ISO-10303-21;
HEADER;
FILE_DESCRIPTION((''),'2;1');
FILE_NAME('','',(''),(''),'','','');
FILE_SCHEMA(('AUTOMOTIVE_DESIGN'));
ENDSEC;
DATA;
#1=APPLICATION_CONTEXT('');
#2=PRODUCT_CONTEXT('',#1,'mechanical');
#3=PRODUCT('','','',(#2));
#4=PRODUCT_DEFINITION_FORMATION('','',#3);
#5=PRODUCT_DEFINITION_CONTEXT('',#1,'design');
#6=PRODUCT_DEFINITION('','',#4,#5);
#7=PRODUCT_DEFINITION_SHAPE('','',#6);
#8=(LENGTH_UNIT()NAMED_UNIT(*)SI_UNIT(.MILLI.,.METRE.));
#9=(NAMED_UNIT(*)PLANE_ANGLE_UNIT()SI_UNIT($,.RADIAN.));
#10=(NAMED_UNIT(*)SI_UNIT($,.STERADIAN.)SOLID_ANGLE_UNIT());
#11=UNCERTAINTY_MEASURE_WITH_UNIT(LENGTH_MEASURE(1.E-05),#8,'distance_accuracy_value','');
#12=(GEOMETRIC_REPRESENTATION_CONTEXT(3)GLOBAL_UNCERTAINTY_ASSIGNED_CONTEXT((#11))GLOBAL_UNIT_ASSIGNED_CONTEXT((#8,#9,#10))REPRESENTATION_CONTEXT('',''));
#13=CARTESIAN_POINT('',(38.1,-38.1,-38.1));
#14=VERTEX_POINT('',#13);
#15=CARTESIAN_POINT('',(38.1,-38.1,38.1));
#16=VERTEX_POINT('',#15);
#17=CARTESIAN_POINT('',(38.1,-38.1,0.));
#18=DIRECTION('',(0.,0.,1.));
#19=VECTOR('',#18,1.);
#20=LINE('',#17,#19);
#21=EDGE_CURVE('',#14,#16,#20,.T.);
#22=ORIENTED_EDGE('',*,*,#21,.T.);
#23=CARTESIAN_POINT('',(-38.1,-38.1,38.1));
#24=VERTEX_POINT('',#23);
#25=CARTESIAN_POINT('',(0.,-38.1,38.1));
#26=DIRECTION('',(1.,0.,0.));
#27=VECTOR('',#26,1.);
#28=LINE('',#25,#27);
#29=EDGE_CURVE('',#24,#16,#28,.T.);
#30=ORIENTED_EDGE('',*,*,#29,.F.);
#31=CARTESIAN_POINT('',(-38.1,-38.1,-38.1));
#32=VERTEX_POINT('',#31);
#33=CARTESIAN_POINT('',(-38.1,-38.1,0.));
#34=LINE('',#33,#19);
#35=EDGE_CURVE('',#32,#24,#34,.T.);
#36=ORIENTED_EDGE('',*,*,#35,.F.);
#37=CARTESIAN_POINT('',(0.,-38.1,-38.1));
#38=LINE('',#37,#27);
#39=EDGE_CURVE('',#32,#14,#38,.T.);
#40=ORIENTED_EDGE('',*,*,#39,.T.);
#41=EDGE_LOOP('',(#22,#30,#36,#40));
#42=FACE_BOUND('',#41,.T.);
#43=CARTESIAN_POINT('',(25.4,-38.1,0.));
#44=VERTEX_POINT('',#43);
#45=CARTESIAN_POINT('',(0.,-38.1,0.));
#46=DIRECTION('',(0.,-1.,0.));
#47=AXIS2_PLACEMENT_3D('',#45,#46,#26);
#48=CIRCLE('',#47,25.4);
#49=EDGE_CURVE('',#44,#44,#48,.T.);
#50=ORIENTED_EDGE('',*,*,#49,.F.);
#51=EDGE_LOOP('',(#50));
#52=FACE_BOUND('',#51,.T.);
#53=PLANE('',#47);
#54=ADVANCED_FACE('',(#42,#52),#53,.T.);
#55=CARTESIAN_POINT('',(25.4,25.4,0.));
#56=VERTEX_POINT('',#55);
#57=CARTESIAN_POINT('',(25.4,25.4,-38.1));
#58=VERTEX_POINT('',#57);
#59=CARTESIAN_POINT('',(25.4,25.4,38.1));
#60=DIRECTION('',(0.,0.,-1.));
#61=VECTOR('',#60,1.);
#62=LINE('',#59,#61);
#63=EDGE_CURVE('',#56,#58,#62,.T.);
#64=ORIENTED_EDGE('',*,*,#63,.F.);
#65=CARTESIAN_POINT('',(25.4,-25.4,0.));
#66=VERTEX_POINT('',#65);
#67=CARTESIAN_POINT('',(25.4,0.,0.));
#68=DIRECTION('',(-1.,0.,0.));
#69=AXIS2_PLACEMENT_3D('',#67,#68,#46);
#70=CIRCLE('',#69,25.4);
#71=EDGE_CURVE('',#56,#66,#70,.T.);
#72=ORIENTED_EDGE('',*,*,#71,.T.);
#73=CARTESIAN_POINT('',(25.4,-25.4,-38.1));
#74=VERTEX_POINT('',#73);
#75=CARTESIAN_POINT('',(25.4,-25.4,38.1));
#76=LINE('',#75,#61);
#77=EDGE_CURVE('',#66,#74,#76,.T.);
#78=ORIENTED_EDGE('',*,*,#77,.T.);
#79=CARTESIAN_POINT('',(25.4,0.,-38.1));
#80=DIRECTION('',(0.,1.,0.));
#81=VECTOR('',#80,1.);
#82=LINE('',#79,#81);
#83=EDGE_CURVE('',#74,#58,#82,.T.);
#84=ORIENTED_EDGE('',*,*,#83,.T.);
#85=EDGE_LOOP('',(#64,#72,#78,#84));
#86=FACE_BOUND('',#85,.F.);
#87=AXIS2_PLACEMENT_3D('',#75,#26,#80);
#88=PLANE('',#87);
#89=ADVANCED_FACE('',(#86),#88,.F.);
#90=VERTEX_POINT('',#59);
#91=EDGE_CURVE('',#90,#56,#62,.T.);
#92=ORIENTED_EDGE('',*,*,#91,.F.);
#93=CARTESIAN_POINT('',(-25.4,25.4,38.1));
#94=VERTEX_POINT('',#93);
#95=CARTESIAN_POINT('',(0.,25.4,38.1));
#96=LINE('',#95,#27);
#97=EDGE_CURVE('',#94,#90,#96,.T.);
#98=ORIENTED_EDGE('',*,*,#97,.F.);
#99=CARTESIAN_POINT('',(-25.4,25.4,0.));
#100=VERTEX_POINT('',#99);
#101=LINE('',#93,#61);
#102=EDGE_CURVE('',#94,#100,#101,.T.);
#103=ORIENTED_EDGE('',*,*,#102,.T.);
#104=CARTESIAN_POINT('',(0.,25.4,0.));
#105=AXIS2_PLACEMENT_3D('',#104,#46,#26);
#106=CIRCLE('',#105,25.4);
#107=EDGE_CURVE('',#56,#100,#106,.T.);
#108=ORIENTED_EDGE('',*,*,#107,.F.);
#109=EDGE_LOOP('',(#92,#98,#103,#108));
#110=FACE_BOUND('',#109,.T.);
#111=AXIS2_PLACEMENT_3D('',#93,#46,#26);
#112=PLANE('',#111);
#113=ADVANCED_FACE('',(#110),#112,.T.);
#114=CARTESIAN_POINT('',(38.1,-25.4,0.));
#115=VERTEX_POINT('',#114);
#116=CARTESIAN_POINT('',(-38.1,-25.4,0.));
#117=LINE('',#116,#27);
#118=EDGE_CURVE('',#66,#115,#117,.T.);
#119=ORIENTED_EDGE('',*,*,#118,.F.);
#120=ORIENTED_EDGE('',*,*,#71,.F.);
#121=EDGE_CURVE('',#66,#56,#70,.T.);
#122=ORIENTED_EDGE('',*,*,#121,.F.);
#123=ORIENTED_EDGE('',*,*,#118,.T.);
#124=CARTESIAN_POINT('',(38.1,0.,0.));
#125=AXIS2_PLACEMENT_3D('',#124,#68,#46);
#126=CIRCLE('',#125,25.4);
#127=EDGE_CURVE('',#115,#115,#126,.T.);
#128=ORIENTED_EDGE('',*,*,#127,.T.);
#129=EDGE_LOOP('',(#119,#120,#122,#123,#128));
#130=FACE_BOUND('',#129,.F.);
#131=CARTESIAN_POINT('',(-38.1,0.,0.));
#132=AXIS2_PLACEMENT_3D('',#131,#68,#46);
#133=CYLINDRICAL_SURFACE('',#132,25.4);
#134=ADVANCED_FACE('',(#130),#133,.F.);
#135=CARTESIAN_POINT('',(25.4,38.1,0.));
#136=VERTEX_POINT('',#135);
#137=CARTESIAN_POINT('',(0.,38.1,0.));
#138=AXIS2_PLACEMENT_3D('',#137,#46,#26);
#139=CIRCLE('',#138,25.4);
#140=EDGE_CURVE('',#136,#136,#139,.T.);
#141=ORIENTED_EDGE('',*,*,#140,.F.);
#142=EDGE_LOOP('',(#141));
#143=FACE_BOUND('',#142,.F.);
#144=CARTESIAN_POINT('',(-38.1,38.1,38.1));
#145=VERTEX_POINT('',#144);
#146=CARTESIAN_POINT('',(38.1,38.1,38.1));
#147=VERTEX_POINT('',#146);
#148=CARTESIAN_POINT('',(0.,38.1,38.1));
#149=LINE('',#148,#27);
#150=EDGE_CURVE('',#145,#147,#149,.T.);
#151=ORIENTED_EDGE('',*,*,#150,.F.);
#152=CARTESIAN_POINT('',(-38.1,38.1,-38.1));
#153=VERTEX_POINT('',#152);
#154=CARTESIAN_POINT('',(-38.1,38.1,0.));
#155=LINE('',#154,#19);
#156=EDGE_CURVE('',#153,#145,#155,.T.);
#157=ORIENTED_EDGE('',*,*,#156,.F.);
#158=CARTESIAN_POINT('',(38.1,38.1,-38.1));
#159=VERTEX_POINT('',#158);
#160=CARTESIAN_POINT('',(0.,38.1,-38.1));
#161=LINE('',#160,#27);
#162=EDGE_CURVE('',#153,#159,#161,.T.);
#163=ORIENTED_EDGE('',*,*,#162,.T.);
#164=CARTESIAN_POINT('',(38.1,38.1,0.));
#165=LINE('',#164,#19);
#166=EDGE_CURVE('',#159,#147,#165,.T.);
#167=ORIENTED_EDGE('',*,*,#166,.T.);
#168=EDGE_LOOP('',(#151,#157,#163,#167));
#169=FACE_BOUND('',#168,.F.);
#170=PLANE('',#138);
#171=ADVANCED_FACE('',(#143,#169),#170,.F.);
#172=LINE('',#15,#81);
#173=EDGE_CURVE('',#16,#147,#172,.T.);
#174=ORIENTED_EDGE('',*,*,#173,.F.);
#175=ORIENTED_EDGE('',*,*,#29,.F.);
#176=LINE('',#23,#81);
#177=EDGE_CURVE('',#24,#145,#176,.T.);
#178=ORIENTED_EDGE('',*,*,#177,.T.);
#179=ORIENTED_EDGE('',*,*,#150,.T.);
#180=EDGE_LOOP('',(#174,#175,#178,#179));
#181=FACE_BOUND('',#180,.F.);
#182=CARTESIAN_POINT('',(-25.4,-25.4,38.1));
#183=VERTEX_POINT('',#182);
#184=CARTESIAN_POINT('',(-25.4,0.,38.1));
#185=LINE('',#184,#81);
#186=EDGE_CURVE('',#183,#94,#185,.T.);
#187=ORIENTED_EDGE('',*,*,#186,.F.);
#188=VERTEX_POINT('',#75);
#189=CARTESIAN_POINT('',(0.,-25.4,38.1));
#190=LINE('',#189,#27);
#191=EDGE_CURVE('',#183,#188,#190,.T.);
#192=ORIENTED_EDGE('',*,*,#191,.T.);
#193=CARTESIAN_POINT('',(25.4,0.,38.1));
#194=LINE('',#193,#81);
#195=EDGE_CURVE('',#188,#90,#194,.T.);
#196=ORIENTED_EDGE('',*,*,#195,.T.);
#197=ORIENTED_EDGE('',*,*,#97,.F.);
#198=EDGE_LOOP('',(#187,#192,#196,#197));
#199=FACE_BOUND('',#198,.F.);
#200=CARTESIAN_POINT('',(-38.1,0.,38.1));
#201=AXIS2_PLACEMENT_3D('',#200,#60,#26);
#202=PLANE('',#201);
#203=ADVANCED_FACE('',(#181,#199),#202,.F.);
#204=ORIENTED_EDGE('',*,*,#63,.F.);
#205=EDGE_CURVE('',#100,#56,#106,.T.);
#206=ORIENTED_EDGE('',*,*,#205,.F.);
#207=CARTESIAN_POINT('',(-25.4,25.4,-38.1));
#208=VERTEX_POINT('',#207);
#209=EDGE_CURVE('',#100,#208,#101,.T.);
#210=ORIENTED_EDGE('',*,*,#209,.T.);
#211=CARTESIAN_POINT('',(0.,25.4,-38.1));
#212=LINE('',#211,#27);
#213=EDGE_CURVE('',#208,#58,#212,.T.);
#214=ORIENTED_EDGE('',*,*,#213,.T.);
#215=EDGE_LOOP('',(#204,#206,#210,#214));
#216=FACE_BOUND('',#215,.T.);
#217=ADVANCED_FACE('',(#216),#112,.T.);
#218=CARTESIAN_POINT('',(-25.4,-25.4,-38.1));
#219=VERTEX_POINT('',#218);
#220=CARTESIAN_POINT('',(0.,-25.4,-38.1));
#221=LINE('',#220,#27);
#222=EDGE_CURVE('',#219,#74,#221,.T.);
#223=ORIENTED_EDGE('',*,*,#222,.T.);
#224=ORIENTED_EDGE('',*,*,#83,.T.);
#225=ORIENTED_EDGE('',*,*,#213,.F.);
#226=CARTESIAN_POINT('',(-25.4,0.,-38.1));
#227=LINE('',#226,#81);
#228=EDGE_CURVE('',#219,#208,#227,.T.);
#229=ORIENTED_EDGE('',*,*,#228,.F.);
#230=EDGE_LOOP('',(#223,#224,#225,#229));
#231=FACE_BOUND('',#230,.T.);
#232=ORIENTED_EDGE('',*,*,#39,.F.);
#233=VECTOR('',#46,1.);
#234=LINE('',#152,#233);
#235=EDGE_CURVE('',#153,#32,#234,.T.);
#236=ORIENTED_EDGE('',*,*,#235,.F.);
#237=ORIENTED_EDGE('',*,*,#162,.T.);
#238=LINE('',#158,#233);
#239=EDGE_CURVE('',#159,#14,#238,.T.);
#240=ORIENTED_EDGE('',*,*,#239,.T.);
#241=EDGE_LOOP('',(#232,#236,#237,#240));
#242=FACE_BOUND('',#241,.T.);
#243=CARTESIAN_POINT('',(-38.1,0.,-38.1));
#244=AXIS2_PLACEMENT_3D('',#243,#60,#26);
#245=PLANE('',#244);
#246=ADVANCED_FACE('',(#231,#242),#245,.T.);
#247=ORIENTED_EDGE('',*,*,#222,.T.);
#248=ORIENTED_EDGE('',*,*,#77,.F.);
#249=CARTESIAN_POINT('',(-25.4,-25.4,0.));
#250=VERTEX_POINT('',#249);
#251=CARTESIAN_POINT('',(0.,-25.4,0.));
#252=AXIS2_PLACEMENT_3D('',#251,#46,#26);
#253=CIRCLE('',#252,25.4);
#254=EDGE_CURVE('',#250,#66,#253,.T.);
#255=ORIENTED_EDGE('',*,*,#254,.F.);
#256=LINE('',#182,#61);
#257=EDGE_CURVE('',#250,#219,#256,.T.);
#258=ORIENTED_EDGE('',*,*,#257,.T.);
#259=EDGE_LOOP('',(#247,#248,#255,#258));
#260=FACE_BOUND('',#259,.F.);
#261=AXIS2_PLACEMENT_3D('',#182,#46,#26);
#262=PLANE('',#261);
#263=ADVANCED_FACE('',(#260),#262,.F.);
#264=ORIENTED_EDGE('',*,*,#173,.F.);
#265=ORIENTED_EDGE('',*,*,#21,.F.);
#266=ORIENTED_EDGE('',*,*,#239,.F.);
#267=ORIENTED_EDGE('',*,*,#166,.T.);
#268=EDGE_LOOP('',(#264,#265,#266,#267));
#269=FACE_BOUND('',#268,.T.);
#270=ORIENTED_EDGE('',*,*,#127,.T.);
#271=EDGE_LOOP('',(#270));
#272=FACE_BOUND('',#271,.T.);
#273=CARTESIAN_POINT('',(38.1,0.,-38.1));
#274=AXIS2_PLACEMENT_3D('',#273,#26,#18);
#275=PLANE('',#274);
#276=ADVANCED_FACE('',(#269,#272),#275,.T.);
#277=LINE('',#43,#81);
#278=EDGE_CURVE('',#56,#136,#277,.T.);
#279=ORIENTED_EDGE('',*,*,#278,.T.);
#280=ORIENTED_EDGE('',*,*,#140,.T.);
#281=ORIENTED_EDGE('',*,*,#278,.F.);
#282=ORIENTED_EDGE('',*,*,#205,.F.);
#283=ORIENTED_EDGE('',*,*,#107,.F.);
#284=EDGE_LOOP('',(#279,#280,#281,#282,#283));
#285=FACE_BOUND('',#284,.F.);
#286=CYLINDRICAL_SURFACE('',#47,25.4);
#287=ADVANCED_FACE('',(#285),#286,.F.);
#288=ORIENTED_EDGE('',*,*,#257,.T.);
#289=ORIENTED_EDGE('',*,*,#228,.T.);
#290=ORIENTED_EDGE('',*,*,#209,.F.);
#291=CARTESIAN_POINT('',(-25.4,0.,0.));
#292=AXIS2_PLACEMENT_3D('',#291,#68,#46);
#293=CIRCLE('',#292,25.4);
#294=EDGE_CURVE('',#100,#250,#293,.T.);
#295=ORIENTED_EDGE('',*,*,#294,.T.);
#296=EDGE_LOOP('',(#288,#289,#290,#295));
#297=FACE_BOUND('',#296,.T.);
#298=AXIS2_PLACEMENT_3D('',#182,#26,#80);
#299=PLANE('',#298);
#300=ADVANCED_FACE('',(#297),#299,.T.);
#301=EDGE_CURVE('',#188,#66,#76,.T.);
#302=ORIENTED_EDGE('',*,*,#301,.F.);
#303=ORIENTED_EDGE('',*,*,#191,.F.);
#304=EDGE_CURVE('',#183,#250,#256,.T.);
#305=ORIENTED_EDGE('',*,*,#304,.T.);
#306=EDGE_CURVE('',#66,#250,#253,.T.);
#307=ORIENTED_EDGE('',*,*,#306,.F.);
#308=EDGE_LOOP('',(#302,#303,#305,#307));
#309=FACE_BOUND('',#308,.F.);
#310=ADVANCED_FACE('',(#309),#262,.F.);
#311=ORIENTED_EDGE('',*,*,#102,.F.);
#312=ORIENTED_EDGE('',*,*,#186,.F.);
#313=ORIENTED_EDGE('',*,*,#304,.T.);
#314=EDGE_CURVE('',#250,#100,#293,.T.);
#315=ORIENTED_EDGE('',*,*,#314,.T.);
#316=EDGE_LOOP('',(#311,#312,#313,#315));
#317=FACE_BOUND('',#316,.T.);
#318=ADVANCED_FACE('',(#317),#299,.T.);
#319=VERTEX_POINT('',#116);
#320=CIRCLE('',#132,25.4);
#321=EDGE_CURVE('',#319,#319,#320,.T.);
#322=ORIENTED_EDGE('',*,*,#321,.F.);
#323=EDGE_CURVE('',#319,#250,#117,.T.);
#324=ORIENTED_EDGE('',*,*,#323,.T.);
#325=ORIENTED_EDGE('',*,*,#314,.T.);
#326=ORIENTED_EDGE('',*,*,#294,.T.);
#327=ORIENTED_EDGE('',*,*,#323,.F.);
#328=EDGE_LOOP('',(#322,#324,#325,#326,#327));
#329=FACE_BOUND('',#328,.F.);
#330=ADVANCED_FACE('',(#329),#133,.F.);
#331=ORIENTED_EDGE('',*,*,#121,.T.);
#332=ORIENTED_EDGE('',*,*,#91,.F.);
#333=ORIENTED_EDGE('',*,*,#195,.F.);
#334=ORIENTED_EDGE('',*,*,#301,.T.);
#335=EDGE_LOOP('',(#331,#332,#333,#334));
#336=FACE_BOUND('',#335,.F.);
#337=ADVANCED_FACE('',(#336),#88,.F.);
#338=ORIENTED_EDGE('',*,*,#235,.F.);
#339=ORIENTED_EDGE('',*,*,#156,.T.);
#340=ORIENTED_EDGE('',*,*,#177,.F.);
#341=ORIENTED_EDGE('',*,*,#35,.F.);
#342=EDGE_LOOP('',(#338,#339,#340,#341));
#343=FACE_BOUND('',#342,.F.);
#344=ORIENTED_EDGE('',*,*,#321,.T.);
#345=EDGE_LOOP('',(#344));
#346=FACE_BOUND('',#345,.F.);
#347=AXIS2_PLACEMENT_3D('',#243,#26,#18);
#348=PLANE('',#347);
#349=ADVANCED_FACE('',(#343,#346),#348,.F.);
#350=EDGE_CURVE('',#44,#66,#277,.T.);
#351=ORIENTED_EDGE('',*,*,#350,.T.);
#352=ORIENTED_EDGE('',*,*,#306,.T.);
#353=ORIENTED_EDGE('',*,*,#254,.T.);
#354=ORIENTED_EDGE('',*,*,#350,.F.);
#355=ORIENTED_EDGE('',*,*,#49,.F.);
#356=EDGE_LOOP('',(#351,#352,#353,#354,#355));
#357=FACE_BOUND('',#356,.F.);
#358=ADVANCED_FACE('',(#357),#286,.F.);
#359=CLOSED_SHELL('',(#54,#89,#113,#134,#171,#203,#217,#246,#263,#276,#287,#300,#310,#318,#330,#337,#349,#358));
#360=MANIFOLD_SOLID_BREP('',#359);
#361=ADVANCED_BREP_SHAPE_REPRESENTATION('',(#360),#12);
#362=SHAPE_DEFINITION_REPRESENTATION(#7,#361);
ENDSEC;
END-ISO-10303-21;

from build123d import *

# Parameters (mm, degrees)
F0_W     = 76.2
F0_H     = 76.2
F1_DEPTH = 38.1
F2_R     = 25.4
F3_DEPTH = 76.2
F4_R     = 25.4
F5_DEPTH = 76.2
F6_W     = 50.8
F6_H     = 50.8
F7_DEPTH = 76.2


with BuildPart() as f1:
    # F0 (on Front) → F1 (new body, symmetric)
    with BuildSketch(Plane.XZ):
        Rectangle(F0_W, F0_H)
    extrude(amount=F1_DEPTH, both=True)

    # F2 (on face) → F3 (cut, through all)
    with BuildSketch(Plane(origin=(-38.1, 0, 0), x_dir=(0, -1, 0), z_dir=(-1, 0, 0))):
        Circle(F2_R)
    extrude(amount=-F3_DEPTH, mode=Mode.SUBTRACT)

    # F4 (on face) → F5 (cut)
    with BuildSketch(Plane.XZ.offset(38.1)):
        Circle(F4_R)
    extrude(amount=-F5_DEPTH, mode=Mode.SUBTRACT)

    # F6 (on face) → F7 (cut)
    with BuildSketch(Plane.XY.offset(38.1)):
        Rectangle(F6_W, F6_H)
    extrude(amount=-F7_DEPTH, mode=Mode.SUBTRACT)


solid = f1.part
